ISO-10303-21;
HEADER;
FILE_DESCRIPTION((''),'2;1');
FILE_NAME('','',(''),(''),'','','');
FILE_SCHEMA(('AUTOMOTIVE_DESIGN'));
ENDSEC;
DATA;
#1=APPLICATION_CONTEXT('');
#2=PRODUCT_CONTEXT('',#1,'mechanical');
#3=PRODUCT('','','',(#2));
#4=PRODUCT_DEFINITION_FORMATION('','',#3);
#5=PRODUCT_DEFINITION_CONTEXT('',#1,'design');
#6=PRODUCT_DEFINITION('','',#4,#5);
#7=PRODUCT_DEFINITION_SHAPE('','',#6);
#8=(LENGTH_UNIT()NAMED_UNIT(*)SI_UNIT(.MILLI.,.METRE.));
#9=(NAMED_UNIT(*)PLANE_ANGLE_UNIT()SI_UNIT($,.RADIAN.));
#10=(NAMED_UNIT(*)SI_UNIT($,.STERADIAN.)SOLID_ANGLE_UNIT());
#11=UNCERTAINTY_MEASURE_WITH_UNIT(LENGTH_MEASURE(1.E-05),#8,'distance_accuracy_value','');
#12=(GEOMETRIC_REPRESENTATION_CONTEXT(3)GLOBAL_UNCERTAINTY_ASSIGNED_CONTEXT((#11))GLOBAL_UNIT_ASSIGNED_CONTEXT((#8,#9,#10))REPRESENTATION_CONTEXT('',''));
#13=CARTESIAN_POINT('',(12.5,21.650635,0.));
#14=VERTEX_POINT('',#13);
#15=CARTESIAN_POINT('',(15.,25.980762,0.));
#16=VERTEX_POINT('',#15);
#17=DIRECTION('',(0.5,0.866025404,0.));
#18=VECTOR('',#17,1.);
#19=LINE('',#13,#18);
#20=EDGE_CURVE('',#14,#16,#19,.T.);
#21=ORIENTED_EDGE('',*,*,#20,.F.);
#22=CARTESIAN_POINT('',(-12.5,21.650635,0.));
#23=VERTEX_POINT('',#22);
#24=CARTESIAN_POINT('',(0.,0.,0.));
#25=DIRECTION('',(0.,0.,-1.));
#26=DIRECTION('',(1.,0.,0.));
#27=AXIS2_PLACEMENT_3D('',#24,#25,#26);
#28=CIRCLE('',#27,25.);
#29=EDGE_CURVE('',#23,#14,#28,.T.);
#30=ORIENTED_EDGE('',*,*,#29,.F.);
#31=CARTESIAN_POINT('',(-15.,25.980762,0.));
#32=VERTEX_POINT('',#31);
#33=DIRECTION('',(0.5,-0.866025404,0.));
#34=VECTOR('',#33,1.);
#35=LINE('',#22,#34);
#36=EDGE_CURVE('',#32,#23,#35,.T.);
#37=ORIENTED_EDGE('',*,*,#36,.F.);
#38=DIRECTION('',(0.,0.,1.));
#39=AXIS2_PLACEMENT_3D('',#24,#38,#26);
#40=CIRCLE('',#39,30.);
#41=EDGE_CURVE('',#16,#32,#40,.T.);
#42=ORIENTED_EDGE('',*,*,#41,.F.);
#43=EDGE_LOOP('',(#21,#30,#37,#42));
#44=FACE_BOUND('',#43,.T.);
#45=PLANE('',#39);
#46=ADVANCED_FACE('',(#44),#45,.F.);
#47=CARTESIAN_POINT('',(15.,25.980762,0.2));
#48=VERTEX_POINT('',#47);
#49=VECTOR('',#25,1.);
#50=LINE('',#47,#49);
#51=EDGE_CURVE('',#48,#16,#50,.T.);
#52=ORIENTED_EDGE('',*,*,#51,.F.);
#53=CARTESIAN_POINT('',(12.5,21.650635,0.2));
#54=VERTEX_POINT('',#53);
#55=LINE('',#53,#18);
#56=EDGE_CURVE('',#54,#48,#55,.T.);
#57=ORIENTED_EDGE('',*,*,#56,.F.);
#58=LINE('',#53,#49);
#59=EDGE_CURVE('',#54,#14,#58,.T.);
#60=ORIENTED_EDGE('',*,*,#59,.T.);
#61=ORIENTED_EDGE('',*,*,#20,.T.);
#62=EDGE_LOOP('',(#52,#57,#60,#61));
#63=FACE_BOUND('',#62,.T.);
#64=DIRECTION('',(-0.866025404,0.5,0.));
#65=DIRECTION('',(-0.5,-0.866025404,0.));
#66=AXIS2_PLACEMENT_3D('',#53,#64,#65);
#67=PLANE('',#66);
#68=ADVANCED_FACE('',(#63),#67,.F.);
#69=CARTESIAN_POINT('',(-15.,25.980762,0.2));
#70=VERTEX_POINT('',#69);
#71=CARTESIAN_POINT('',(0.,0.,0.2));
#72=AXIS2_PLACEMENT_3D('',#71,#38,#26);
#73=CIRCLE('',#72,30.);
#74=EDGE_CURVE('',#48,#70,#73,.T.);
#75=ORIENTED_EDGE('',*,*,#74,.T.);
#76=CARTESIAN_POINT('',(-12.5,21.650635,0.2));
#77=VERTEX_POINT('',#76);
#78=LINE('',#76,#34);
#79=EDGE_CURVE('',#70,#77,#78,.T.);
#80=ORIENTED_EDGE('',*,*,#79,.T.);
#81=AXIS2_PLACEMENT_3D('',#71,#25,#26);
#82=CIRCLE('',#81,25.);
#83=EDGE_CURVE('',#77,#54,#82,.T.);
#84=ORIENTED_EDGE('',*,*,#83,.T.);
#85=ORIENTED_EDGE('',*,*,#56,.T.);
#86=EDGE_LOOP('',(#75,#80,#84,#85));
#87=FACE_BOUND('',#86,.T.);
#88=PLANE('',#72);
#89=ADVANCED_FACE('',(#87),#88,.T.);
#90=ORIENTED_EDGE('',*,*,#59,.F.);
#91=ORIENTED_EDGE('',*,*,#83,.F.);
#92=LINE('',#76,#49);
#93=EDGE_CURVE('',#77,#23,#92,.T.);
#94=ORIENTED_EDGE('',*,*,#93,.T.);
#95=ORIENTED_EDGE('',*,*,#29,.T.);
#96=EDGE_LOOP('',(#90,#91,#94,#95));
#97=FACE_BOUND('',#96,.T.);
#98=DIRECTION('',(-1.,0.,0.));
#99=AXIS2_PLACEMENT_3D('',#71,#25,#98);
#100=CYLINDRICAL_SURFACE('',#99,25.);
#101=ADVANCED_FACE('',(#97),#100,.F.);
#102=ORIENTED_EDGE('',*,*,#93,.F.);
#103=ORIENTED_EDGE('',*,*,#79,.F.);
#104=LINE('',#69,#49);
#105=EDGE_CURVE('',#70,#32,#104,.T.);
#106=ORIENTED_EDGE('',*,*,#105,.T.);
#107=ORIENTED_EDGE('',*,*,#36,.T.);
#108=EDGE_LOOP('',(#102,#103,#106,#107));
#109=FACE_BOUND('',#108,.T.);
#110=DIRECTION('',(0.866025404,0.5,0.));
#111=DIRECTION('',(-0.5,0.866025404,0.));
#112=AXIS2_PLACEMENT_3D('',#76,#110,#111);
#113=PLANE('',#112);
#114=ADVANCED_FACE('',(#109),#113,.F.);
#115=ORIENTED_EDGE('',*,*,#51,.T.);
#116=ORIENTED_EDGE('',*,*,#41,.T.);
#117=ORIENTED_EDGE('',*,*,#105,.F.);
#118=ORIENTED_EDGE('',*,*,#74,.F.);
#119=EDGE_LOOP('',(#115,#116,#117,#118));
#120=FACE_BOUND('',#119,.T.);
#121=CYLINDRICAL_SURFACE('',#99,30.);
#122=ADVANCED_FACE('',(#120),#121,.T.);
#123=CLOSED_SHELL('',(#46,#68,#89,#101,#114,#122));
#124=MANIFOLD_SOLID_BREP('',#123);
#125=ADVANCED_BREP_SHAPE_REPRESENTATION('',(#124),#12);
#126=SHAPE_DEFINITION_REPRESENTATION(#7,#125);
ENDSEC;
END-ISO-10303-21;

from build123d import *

# Parameters (mm, degrees)
RESSALTO_EXTRUS_O1_DEPTH = 0.2


with BuildPart() as part:
    # Esboço1 → Ressalto-extrusão1 (new body)
    with BuildSketch(Plane.XY):
        with BuildLine():
            Line((-12.5, 21.650635095), (-15, 25.980762114))
            ThreePointArc((-15, 25.980762114), (0, 30), (15, 25.980762114))
            Line((15, 25.980762114), (12.5, 21.650635095))
            ThreePointArc((12.5, 21.650635095), (0, 25), (-12.5, 21.650635095))
        make_face()
    extrude(amount=RESSALTO_EXTRUS_O1_DEPTH)


solid = part.part
